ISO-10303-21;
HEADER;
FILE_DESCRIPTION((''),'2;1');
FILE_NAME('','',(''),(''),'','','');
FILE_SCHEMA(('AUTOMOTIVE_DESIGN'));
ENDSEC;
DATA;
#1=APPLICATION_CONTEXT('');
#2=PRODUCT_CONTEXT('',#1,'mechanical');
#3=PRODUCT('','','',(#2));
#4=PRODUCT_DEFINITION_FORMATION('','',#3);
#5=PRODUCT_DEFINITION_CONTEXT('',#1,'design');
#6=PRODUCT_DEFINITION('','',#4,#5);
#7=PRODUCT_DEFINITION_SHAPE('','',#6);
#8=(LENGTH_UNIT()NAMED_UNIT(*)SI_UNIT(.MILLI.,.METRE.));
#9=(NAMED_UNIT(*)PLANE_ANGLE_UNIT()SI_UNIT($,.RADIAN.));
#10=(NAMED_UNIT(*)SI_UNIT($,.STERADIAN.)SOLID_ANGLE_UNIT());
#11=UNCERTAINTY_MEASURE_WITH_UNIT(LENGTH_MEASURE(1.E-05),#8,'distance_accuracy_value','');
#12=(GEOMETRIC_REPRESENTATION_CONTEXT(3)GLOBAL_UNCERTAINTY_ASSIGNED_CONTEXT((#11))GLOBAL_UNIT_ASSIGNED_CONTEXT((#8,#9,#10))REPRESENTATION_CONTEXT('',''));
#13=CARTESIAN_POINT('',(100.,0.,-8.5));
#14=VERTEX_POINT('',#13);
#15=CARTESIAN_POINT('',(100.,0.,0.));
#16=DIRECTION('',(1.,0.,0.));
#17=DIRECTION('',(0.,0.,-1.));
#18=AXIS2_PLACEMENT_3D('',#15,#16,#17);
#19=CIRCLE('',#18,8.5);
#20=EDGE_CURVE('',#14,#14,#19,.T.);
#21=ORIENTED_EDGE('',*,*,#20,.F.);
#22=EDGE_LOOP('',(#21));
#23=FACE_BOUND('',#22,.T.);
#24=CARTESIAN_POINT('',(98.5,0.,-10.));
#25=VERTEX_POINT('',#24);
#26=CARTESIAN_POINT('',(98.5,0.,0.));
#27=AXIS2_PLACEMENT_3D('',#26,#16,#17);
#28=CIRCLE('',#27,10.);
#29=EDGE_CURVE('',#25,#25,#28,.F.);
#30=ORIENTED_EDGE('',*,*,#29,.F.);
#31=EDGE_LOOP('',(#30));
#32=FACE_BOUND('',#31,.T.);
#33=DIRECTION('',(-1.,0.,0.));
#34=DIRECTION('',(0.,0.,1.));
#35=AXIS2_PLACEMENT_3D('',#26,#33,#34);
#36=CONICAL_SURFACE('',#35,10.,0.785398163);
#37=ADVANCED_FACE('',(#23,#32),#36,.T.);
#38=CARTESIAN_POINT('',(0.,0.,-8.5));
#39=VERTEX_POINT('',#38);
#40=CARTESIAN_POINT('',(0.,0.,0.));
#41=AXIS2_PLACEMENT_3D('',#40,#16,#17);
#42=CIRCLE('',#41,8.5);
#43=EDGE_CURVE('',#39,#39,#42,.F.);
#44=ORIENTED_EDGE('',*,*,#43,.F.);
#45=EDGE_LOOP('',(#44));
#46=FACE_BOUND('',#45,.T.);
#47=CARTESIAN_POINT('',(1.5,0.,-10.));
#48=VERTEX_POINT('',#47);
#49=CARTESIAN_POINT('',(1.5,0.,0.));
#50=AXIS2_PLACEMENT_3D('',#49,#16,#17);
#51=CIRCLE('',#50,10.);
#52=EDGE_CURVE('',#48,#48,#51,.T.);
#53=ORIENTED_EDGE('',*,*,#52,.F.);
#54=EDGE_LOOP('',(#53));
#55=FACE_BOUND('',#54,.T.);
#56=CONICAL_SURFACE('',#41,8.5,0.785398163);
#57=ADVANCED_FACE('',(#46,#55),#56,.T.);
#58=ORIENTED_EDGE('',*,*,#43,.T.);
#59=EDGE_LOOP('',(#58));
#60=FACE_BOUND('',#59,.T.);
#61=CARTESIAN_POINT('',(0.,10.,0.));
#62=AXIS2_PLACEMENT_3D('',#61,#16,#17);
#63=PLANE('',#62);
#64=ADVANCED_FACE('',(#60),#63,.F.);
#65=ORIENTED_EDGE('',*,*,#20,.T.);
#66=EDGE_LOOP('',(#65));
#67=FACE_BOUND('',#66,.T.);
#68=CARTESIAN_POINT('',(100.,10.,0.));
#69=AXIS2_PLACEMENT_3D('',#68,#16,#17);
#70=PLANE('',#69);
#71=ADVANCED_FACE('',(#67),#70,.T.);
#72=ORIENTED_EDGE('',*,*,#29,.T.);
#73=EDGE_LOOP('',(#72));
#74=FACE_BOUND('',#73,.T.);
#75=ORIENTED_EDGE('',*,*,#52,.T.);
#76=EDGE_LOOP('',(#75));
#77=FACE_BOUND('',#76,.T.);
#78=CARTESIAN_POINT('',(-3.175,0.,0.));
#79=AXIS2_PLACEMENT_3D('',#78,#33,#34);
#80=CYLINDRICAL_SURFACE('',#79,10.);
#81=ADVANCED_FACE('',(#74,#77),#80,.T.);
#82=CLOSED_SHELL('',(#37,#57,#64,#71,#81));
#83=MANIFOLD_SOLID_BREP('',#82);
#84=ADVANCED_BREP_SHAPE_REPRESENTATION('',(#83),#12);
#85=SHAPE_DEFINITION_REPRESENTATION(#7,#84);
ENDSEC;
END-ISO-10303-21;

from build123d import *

# Parameters (mm, degrees)
BODYSKE_W     = 100
BODYSKE_H     = 10
CHAMFER1_SIZE = 1.5


with BuildPart() as part:
    # BodySke → BaseBody (revolve)
    with BuildSketch(Plane.XY):
        with Locations((50, 5)):
            Rectangle(BODYSKE_W, BODYSKE_H)
    revolve(axis=Axis((-3.175, 0, 0), (1, 0, 0)))

    # Chamfer1
    chamfer1_edges = [part.edges().sort_by_distance(p)[0] for p in [
        (100, -10, 0),
        (0, -10, 0),
    ]]
    chamfer(chamfer1_edges, length=CHAMFER1_SIZE)


solid = part.part
